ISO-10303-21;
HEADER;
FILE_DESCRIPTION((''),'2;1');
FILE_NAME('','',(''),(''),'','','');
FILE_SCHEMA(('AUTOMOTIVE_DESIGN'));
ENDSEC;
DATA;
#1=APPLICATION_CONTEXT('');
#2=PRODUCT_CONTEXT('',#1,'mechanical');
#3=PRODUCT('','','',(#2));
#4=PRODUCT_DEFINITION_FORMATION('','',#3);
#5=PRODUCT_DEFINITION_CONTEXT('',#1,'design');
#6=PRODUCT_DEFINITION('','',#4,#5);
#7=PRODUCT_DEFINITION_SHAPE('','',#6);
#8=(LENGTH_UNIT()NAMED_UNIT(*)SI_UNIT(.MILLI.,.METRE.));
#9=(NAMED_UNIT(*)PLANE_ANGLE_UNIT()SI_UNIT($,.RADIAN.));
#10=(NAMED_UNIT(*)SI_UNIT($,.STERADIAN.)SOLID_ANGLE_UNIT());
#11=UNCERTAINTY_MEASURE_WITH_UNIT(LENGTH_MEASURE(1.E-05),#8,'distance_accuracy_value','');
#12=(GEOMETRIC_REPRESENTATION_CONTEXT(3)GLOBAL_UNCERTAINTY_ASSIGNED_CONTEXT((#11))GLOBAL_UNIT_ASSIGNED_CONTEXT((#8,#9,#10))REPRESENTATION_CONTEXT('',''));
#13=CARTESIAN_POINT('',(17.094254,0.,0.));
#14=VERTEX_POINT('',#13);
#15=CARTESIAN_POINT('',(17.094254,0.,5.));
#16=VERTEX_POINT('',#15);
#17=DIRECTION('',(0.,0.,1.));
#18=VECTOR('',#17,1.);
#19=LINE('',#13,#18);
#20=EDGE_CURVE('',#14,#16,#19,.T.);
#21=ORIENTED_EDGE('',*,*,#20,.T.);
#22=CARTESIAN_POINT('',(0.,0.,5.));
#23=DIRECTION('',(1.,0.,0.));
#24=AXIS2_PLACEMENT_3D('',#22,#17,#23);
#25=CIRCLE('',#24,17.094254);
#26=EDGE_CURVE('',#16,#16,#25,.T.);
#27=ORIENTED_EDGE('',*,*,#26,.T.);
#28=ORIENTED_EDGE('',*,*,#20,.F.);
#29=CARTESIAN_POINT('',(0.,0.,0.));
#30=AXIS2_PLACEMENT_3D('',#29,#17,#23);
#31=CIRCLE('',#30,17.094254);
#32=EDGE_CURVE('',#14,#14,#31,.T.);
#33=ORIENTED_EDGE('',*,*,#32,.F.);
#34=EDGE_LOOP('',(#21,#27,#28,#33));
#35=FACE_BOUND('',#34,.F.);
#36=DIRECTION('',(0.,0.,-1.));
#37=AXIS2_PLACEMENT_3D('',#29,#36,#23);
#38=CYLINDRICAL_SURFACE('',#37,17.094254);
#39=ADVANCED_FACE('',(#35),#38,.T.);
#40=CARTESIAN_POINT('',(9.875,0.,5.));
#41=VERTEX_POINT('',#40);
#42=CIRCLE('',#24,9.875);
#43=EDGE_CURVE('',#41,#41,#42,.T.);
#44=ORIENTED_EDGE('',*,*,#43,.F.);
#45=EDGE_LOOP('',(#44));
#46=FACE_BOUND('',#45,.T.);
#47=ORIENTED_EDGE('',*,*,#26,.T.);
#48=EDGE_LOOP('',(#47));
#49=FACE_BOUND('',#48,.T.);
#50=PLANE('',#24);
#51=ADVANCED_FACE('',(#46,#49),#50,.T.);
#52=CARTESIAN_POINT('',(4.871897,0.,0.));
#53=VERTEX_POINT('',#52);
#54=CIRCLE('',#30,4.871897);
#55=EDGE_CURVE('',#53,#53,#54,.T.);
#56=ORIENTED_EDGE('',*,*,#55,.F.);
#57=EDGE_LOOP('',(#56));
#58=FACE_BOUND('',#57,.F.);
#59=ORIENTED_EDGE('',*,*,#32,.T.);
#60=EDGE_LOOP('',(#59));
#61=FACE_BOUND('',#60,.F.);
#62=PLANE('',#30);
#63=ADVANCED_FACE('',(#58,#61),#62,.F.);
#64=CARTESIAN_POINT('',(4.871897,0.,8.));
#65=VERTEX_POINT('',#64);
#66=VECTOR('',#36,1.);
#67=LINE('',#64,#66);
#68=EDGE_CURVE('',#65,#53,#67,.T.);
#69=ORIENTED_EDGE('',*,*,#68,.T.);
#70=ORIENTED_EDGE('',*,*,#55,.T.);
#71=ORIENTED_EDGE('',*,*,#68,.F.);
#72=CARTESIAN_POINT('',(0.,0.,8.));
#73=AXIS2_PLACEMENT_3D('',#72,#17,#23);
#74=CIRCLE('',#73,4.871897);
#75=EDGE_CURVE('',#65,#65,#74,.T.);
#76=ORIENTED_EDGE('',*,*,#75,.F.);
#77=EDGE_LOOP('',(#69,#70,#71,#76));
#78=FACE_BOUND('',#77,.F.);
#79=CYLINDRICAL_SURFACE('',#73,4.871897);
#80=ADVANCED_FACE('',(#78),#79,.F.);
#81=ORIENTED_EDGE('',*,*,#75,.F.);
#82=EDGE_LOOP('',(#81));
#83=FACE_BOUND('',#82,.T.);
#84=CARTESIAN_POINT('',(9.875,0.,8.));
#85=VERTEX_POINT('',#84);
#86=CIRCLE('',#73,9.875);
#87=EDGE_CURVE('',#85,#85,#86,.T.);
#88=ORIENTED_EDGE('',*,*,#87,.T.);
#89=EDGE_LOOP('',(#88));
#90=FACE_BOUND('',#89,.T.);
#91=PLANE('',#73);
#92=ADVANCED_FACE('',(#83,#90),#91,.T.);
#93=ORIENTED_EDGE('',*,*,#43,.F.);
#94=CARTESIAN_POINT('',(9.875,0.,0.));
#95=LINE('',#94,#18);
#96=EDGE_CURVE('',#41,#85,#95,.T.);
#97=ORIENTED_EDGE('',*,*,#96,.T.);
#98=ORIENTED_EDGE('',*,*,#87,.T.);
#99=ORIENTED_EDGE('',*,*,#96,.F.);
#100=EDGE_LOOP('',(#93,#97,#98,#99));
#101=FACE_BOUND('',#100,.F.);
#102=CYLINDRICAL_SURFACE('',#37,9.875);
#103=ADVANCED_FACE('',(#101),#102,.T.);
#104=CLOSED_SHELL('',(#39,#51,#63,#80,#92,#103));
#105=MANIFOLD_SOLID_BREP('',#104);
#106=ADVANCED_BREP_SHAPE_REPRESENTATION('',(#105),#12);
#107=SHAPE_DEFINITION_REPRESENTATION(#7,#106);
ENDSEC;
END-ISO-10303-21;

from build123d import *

# Parameters (mm, degrees)
F0_R     = 9.875
F0_R_2   = 4.875
F1_DEPTH = 8
F0_R_3   = 17.0942544143
F2_DEPTH = 5
F3_R     = 4.8718969607
F4_DEPTH = 25


with BuildPart() as f1:
    # F0 (on Top) → F1 (new body)
    with BuildSketch(Plane.XY):
        Circle(F0_R)
        Circle(F0_R_2, mode=Mode.SUBTRACT)
        Circle(F0_R_2)
    extrude(amount=F1_DEPTH)

    # F0 (on Top) → F2 (join)
    with BuildSketch(Plane.XY):
        Circle(F0_R_3)
        Circle(F0_R, mode=Mode.SUBTRACT)
    extrude(amount=F2_DEPTH)

    # F3 (on face) → F4 (cut)
    with BuildSketch(Plane.XY.offset(8)):
        Circle(F3_R)
    extrude(amount=-F4_DEPTH, mode=Mode.SUBTRACT)


solid = f1.part
